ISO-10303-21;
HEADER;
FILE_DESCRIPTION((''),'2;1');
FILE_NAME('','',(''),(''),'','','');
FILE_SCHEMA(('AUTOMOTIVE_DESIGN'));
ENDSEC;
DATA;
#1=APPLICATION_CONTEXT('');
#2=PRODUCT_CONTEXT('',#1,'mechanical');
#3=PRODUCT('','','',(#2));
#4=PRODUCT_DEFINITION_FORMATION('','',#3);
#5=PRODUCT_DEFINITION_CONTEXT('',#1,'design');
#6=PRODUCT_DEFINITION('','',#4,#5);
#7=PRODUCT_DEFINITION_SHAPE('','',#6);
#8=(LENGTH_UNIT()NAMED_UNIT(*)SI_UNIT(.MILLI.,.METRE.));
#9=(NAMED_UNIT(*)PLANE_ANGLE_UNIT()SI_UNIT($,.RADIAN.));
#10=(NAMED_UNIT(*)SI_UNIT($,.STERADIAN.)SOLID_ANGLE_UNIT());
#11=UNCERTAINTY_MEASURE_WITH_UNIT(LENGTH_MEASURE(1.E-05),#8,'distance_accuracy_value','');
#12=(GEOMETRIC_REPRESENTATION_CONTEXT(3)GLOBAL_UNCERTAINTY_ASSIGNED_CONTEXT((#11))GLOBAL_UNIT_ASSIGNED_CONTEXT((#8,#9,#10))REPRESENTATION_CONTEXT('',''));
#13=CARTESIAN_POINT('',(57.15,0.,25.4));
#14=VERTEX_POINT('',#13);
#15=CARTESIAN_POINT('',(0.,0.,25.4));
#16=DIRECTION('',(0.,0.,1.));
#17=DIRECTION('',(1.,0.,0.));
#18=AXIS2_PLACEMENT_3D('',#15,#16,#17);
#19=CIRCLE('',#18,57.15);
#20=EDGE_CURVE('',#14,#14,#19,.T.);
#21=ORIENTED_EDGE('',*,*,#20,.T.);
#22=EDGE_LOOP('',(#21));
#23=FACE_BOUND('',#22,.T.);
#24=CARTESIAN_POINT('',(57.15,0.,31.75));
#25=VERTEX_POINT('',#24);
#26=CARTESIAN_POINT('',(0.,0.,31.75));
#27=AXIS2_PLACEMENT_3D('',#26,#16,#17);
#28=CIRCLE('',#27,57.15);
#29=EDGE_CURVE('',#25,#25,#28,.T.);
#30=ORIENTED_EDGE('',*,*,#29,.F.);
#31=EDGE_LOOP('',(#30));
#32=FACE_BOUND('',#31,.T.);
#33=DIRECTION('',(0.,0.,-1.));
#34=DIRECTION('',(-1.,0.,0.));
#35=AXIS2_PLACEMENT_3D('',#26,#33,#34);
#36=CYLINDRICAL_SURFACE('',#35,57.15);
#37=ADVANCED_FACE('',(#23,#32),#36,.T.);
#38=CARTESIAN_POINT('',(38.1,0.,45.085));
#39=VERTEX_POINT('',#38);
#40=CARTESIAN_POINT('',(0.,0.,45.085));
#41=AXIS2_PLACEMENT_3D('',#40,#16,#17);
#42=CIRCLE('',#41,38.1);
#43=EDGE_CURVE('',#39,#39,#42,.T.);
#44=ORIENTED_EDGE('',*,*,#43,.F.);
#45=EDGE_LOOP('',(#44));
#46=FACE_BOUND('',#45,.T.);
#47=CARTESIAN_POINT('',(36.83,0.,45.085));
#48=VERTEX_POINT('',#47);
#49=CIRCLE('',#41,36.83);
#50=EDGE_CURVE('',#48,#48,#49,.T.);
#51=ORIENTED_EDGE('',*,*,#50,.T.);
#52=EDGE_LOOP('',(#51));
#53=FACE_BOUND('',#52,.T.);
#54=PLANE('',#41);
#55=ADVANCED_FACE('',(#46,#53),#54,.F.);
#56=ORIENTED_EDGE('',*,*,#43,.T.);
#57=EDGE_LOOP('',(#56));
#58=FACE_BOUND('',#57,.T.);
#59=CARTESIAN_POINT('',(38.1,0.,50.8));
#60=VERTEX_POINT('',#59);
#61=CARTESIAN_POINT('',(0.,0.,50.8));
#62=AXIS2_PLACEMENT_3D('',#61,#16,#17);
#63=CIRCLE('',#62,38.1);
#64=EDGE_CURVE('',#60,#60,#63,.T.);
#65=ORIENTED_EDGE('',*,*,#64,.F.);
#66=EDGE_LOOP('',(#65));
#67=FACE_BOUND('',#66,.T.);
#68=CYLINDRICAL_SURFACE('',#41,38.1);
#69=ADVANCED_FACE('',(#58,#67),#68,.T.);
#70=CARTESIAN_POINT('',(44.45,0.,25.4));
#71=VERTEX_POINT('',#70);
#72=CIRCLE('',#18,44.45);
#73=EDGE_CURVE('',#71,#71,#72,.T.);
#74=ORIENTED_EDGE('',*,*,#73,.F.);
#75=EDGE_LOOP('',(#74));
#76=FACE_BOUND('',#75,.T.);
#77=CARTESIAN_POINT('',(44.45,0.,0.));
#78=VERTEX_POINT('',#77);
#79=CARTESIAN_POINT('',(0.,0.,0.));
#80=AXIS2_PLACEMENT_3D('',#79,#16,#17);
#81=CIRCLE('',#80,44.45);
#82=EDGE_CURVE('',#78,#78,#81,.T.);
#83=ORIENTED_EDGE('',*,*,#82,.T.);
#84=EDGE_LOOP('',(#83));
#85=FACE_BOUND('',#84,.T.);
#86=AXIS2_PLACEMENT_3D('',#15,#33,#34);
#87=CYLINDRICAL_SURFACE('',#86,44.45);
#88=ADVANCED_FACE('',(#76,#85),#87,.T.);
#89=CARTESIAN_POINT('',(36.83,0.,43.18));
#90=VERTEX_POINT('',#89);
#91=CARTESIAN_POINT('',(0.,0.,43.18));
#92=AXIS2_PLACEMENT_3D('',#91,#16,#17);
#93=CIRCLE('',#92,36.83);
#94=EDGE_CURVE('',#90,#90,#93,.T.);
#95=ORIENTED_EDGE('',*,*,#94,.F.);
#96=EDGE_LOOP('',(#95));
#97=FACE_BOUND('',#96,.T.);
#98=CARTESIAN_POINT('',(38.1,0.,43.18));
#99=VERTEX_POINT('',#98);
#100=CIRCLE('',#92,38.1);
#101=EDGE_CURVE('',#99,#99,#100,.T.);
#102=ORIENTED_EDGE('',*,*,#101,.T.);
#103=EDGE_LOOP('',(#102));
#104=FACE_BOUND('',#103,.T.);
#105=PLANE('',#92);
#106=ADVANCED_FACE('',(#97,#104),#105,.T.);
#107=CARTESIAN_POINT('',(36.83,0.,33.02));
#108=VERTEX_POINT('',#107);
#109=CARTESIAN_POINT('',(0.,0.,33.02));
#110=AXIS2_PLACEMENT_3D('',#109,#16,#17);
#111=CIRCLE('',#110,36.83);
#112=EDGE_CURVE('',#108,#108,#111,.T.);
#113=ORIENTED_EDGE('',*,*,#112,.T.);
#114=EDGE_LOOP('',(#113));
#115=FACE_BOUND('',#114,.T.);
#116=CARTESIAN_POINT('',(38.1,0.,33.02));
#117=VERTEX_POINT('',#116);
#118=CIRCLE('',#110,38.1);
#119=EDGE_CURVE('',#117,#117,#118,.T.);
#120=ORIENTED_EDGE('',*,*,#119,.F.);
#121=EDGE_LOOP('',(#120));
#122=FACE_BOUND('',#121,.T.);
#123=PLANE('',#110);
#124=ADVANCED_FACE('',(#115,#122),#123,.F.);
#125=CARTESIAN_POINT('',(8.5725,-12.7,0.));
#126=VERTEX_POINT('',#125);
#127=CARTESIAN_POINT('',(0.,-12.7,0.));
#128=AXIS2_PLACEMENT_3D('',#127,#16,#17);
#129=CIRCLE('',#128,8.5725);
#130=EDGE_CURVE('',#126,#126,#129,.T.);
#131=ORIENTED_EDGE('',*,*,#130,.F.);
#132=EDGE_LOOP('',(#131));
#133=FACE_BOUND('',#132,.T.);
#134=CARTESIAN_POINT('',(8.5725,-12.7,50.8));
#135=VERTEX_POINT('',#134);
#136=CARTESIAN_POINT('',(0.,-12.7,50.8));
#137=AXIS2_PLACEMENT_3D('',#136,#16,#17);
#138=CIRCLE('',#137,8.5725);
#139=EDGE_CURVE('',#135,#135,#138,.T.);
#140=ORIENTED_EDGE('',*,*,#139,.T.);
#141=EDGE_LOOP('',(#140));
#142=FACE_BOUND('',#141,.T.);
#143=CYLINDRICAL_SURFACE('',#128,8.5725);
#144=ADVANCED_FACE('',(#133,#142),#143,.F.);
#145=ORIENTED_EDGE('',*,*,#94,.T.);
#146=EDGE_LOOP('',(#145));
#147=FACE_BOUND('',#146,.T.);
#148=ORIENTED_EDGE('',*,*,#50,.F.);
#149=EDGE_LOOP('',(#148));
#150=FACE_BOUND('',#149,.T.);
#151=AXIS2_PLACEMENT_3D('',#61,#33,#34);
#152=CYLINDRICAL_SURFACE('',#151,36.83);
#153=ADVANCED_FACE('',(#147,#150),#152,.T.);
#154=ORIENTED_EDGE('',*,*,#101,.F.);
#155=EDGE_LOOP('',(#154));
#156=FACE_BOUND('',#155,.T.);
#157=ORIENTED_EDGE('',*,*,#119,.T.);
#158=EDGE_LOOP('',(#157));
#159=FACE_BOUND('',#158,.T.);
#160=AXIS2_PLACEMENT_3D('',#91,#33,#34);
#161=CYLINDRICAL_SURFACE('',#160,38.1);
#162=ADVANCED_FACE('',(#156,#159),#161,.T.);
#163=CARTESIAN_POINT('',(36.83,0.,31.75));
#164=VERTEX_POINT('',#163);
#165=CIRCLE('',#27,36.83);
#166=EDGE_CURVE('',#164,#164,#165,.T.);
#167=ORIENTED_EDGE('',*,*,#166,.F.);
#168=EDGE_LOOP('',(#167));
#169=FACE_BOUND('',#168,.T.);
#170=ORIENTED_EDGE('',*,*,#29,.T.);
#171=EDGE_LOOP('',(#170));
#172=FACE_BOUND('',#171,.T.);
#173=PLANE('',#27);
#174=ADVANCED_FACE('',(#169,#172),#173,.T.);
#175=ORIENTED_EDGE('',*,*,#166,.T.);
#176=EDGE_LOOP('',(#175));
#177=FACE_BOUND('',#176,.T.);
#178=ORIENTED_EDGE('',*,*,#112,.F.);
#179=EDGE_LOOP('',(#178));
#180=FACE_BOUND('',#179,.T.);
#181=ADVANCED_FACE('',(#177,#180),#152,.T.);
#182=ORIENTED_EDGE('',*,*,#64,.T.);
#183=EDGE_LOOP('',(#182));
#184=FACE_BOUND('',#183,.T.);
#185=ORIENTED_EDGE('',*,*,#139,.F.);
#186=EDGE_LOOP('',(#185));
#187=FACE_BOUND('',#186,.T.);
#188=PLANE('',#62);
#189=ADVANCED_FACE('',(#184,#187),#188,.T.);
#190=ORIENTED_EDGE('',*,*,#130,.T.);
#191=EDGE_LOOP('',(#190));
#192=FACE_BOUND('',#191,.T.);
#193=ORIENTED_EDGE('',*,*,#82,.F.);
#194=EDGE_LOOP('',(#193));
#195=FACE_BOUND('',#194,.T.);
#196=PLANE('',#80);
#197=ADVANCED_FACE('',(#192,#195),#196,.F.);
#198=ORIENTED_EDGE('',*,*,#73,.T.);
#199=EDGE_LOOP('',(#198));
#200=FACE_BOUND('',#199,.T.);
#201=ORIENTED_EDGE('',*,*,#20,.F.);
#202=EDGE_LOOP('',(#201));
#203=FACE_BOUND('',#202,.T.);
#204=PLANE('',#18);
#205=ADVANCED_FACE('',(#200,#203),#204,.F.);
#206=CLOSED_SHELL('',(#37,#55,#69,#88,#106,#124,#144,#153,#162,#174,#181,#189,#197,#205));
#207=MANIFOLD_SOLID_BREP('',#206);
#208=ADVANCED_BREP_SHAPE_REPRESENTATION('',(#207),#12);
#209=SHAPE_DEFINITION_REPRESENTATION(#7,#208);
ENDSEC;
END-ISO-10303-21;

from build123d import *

# Parameters (mm, degrees)
SKETCH1_R               = 44.45
BOSS_EXTRUDE1_DEPTH     = 25.4
SKETCH2_R               = 36.83
BOSS_EXTRUDE2_DEPTH     = 25.4
SKETCH7_R               = 38.1
BOSS_EXTRUDE3_DEPTH     = 5.715
BOSS_EXTRUDE4_START     = -5.715
SKETCH8_R               = 38.1
BOSS_EXTRUDE4_DEPTH     = 5.715
BOSS_EXTRUDE6_START     = 7.62
SKETCH11_R              = 38.1
BOSS_EXTRUDE6_DEPTH     = 10.16
SKETCH12_R              = 57.15
BOSS_EXTRUDE7_DEPTH     = 6.35
CUT_EXTRUDE1_DEPTH      = 96.461432003
CUT_EXTRUDE1_DEPTH_BACK = 96.461432003
SKETCH3_R               = 8.5725


with BuildPart() as part:
    # Sketch1 → Boss-Extrude1 (new body)
    with BuildSketch(Plane.XY):
        Circle(SKETCH1_R)
    extrude(amount=BOSS_EXTRUDE1_DEPTH)

    # Sketch2 → Boss-Extrude2 (add)
    with BuildSketch(Plane.XY.offset(25.4)):
        Circle(SKETCH2_R)
    extrude(amount=BOSS_EXTRUDE2_DEPTH)

    # Sketch7 → Boss-Extrude3 (add)
    with BuildSketch(Plane.XY.offset(25.4)):
        Circle(SKETCH7_R)
    extrude(amount=BOSS_EXTRUDE3_DEPTH)

    # Sketch8 → Boss-Extrude4 (add)
    with BuildSketch(Plane.XY.offset(50.8).offset(BOSS_EXTRUDE4_START)):
        Circle(SKETCH8_R)
    extrude(amount=BOSS_EXTRUDE4_DEPTH)

    # Sketch11 → Boss-Extrude6 (add)
    with BuildSketch(Plane.XY.offset(25.4).offset(BOSS_EXTRUDE6_START)):
        Circle(SKETCH11_R)
    extrude(amount=BOSS_EXTRUDE6_DEPTH)

    # Sketch12 → Boss-Extrude7 (add)
    with BuildSketch(Plane.XY.offset(25.4)):
        Circle(SKETCH12_R)
    extrude(amount=BOSS_EXTRUDE7_DEPTH)

    # Sketch3 → Cut-Extrude1 (cut, two sides: drawn at the far end of the back side and taken through both)
    with BuildSketch(Plane.XY.offset(50.8).offset(-CUT_EXTRUDE1_DEPTH_BACK)):
        with Locations((0, -12.7)):
            Circle(SKETCH3_R)
    extrude(amount=CUT_EXTRUDE1_DEPTH + CUT_EXTRUDE1_DEPTH_BACK, mode=Mode.SUBTRACT)


solid = part.part
